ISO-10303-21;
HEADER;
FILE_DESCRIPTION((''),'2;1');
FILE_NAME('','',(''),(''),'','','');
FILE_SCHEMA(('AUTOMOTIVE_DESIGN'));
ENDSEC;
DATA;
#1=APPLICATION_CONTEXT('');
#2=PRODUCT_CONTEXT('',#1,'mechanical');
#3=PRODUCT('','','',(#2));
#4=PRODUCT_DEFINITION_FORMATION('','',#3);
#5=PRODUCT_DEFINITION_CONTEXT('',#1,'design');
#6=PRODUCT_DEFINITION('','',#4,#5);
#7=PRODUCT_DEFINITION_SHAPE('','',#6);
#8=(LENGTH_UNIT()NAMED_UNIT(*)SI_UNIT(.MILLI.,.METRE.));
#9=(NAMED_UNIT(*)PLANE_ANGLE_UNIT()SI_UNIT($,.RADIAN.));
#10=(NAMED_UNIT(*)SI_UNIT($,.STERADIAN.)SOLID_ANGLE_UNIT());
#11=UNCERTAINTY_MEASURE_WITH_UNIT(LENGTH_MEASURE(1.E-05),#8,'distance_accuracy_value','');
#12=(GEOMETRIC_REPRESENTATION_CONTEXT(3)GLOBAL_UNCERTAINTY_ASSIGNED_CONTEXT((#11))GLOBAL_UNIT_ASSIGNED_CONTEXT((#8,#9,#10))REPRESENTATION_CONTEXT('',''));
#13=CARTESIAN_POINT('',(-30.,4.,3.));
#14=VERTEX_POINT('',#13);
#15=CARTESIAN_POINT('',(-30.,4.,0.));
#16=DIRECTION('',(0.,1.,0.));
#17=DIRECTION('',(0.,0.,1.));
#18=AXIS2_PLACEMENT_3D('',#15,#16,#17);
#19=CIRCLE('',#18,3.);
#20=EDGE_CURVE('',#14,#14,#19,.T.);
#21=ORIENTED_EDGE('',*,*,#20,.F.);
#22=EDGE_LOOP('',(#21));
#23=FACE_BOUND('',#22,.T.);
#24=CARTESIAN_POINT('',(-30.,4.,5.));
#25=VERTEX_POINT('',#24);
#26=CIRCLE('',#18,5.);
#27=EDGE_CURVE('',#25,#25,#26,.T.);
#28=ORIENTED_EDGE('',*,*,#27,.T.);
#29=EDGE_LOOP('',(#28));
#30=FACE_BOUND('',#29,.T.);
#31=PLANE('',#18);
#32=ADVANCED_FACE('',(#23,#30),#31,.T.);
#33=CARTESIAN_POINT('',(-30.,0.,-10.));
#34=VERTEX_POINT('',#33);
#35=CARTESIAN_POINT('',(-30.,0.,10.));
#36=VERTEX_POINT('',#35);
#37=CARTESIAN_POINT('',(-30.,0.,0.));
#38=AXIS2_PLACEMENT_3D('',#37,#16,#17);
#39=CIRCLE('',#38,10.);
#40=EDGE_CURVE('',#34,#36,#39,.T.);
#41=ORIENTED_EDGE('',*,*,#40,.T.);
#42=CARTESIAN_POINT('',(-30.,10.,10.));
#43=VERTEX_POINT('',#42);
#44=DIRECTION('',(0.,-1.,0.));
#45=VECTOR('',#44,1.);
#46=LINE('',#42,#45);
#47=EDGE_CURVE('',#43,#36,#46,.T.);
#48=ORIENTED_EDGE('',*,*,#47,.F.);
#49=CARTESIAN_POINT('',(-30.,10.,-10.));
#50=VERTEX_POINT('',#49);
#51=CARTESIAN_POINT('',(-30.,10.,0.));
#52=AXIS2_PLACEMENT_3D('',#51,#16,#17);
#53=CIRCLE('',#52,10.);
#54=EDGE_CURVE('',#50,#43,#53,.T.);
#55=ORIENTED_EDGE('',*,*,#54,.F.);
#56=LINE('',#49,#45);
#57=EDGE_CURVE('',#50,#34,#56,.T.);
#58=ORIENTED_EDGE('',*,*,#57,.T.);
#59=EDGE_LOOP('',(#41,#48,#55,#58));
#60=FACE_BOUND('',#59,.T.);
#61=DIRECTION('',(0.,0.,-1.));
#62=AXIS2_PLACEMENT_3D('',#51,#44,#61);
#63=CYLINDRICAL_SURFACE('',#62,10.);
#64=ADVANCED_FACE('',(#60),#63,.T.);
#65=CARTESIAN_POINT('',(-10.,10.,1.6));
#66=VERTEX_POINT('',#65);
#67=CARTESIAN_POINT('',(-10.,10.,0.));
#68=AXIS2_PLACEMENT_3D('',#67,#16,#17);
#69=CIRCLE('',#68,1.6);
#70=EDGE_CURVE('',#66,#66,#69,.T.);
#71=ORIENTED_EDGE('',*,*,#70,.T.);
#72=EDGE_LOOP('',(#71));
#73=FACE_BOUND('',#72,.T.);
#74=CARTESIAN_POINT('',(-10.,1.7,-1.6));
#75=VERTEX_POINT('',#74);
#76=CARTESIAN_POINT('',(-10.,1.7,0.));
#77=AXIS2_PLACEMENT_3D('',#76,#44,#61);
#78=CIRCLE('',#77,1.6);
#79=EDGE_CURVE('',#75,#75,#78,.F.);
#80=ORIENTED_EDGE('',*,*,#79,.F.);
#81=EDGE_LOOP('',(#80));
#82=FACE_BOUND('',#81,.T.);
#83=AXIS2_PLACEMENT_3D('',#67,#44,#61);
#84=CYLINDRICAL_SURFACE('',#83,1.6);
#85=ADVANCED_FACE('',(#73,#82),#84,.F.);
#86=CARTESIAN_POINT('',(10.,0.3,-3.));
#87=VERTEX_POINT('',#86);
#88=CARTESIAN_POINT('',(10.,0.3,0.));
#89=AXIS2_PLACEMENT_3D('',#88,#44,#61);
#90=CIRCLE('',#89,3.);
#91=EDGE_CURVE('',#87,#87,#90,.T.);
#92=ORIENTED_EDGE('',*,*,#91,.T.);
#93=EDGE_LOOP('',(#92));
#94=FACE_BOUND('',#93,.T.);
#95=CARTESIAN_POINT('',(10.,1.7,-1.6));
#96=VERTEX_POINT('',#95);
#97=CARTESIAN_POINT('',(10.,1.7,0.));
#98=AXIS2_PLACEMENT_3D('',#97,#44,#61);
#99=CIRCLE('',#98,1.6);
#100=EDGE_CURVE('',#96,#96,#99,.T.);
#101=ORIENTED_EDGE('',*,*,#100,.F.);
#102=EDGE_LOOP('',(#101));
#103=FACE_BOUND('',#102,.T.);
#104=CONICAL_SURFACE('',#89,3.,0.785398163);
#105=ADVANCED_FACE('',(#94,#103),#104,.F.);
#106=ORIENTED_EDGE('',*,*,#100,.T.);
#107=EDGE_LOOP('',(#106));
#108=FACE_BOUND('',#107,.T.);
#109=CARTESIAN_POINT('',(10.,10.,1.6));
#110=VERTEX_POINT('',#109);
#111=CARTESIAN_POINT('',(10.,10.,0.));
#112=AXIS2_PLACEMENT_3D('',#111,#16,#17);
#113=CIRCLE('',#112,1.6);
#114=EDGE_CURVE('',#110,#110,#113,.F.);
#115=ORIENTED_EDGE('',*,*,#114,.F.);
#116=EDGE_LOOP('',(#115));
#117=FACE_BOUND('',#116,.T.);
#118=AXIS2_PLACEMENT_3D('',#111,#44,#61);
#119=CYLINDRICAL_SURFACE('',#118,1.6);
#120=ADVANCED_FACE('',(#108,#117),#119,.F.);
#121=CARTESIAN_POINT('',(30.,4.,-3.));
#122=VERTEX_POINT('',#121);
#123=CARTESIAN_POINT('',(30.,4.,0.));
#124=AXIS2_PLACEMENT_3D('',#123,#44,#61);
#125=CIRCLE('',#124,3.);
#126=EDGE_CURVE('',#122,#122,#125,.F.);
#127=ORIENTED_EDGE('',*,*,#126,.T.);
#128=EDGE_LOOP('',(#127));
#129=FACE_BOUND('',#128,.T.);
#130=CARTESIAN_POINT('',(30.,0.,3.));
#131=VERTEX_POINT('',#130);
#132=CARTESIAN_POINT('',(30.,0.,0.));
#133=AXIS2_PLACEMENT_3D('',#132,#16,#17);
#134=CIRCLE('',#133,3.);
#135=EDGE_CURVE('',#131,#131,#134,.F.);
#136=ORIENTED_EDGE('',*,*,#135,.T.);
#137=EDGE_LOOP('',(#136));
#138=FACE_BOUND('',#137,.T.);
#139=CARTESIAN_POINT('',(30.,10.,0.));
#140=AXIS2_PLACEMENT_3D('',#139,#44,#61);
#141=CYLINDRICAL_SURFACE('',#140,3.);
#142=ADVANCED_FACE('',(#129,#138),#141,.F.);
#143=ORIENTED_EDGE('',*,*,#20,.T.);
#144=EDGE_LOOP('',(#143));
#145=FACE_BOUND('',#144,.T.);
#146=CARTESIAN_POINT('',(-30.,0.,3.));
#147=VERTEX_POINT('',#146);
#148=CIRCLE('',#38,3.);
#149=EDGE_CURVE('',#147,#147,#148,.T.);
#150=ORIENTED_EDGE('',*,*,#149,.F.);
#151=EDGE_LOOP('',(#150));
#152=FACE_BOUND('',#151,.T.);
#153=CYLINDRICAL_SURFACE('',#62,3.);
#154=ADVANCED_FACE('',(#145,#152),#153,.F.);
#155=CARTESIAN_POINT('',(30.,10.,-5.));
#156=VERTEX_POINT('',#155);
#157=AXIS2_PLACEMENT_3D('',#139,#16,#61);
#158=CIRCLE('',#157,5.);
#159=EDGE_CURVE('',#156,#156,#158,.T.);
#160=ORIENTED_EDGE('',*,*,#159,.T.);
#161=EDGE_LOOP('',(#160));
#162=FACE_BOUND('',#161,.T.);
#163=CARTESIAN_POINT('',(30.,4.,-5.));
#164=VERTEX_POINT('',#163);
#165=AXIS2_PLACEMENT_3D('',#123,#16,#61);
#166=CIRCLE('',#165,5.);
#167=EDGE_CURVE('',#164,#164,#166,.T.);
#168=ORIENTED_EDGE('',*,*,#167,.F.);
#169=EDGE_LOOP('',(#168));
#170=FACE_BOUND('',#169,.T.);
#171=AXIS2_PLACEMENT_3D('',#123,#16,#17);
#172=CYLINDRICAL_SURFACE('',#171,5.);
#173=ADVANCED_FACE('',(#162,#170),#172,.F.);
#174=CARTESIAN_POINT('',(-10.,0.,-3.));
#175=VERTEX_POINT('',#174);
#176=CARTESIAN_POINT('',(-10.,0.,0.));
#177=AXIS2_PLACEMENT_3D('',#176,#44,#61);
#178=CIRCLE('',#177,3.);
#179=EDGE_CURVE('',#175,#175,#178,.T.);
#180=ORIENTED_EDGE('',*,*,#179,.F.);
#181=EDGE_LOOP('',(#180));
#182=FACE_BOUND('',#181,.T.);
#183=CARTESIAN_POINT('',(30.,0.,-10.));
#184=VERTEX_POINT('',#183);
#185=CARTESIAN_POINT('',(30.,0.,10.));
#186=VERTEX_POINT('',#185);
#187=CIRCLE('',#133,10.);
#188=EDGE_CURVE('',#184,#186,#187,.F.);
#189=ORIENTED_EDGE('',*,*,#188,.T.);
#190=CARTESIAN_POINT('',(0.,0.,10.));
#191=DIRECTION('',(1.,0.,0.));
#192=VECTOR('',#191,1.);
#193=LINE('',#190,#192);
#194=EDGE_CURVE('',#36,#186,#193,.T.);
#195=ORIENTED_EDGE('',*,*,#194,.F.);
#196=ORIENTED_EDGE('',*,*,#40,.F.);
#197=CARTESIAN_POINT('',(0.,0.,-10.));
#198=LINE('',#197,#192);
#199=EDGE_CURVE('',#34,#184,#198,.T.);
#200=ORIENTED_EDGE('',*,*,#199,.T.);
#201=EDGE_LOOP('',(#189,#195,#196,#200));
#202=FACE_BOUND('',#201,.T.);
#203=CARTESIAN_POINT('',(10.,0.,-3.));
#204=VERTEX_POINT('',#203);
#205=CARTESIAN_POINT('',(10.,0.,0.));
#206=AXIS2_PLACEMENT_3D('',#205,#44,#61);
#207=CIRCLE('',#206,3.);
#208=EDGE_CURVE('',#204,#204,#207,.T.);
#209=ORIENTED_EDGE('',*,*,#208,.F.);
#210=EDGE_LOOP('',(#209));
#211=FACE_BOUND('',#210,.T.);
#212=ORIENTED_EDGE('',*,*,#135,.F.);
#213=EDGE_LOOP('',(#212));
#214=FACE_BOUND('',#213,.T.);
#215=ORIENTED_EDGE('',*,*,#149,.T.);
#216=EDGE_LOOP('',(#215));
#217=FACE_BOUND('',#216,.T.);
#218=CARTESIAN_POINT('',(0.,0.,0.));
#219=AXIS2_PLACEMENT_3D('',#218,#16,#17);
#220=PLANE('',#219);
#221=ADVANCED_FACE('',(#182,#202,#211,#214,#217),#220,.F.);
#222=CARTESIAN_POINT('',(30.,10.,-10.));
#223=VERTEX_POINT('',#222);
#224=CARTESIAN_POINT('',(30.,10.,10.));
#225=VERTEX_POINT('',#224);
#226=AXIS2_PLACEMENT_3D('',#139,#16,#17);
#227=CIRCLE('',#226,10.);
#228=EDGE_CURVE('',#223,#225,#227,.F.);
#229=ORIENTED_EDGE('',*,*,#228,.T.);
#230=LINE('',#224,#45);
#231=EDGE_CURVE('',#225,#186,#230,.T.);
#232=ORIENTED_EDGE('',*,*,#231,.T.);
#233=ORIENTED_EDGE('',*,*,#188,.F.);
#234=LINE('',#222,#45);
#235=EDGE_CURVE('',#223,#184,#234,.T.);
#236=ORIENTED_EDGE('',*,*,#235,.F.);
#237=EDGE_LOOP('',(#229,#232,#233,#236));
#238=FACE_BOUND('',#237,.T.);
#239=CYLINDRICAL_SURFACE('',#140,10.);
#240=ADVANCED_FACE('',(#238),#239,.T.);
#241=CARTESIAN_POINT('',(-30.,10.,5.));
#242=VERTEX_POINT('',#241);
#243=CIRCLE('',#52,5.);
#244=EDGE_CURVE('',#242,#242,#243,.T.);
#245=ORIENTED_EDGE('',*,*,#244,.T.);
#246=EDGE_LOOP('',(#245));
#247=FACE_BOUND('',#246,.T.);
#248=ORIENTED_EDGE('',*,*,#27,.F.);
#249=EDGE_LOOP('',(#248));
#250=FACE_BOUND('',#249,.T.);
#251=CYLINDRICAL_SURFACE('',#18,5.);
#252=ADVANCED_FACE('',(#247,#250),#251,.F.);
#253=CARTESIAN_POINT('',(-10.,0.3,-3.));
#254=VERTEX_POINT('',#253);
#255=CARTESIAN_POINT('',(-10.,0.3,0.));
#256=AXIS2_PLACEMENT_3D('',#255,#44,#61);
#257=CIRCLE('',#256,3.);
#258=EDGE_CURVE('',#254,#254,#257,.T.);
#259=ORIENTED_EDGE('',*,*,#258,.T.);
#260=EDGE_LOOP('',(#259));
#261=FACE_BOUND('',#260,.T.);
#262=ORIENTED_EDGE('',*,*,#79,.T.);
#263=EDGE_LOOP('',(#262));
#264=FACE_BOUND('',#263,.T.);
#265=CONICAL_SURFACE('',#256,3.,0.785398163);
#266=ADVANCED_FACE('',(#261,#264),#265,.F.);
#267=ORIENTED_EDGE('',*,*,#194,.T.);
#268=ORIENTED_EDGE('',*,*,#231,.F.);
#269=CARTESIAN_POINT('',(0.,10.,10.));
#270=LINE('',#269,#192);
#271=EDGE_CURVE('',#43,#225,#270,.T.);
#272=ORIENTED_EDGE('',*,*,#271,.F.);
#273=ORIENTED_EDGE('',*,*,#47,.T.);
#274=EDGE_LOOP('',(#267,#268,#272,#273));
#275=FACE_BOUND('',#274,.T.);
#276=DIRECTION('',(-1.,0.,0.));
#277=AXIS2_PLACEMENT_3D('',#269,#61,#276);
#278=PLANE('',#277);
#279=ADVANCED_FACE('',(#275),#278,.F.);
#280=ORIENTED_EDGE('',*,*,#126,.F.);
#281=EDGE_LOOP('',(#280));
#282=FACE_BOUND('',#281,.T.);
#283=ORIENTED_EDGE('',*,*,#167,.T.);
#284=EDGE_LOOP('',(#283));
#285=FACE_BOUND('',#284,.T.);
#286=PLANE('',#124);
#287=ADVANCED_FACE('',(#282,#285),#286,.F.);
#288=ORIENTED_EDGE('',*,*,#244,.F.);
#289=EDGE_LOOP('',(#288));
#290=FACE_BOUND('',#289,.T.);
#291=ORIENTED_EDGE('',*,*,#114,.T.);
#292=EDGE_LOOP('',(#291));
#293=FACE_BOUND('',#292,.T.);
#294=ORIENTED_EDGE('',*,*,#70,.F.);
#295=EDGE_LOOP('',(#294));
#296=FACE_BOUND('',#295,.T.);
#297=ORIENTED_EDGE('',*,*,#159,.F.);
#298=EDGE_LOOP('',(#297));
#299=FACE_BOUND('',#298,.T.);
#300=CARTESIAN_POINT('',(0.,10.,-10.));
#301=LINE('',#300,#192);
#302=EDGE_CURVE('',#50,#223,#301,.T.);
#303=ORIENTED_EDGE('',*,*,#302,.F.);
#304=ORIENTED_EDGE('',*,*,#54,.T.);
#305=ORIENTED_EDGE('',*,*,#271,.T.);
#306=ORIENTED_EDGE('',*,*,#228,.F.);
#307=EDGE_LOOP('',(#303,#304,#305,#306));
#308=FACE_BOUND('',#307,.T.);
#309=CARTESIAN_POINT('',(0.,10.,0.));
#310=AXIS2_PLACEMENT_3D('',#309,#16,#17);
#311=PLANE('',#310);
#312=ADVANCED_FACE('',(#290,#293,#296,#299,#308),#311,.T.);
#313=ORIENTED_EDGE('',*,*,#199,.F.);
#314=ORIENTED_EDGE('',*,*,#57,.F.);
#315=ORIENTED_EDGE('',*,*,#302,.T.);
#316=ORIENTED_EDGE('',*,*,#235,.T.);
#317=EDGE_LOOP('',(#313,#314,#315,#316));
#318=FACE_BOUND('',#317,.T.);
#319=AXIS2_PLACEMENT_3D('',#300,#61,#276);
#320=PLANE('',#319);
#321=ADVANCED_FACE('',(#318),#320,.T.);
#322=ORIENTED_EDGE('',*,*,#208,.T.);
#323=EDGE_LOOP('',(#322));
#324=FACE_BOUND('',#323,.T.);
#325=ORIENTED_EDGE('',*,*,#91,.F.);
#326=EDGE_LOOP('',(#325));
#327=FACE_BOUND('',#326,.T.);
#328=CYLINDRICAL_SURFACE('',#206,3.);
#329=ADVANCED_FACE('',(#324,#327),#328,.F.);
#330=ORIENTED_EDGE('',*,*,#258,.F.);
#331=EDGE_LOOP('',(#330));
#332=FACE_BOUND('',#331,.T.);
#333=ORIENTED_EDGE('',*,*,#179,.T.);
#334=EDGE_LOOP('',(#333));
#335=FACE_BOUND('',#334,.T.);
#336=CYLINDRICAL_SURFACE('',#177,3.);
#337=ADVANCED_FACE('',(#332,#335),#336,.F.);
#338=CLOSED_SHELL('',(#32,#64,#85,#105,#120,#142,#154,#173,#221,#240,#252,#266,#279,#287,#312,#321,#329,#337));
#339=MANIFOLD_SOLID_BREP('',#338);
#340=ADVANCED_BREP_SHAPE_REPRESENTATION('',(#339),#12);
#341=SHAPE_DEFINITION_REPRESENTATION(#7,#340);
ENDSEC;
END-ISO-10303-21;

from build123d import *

# Parameters (mm, degrees)
SKETCH1_R                                      = 10
SKETCH1_R_2                                    = 3
SKETCH1_R_3                                    = 1.6
BOSS_EXTRUDE1_DEPTH                            = 10
SKETCH2_R                                      = 5
CUT_EXTRUDE1_DEPTH                             = 6
CSK_FOR_M3_FLAT_HEAD_MACHINE_SCREW1_AT_2_COUNT = 2
CSK_FOR_M3_FLAT_HEAD_MACHINE_SCREW1_AT_2_PITCH = 20


with BuildPart() as part:
    # Sketch1 → Boss-Extrude1 (new body)
    with BuildSketch(Plane(origin=(0, 0, 0), x_dir=(1, 0, 0), z_dir=(0, 1, 0))):
        with Locations((-30, 0)):
            Circle(SKETCH1_R)
        with Locations((-30, 0)):
            Circle(SKETCH1_R_2, mode=Mode.SUBTRACT)
        with BuildLine():
            Line((29.999999936, 10), (-30, 10))
            ThreePointArc((-30, 10), (-22.928932188, 7.071067812), (-20, 0))
            ThreePointArc((-20, 0), (-22.928932188, -7.071067812), (-30, -10))
            Line((-30, -10), (30, -10))
            ThreePointArc((30, -10), (20, -3.2e-08), (29.999999936, 10))
        make_face()
        with Locations((-10, 0)):
            Circle(SKETCH1_R_3, mode=Mode.SUBTRACT)
        with Locations((10, 0)):
            Circle(SKETCH1_R_3, mode=Mode.SUBTRACT)
        with Locations((30, 0)):
            Circle(SKETCH1_R)
        with Locations((30, 0)):
            Circle(SKETCH1_R_2, mode=Mode.SUBTRACT)
    extrude(amount=BOSS_EXTRUDE1_DEPTH)

    # Sketch2 → Cut-Extrude1 (cut)
    with BuildSketch(Plane(origin=(0, 10, 0), x_dir=(1, 0, 0), z_dir=(0, 1, 0))):
        with Locations((-30, 0)):
            Circle(SKETCH2_R)
        with Locations((30, 0)):
            Circle(SKETCH2_R)
    extrude(amount=-CUT_EXTRUDE1_DEPTH, mode=Mode.SUBTRACT)

    # Sketch4 → CSK for M3 Flat Head Machine Screw1 (revolve, cut)
    with BuildSketch(Plane(origin=(-10, 0, 0), x_dir=(0, 0, -1), z_dir=(1, 0, 0))):
        Polygon((0, 0), (0, 10), (1.5, 10), (1.5, 1.8), (3, 0.3), (3, 0), align=None)
    csk_for_m3_flat_head_machine_screw1 = revolve(axis=Axis((-10, -6.35, 0), (0, 1, 0)), mode=Mode.SUBTRACT)

    # CSK for M3 Flat Head Machine Screw1 at 2: CSK for M3 Flat Head Machine Screw1 ×2
    with Locations(*[(i * CSK_FOR_M3_FLAT_HEAD_MACHINE_SCREW1_AT_2_PITCH, 0, 0) for i in range(1, CSK_FOR_M3_FLAT_HEAD_MACHINE_SCREW1_AT_2_COUNT)]):
        add(csk_for_m3_flat_head_machine_screw1, mode=Mode.SUBTRACT)


solid = part.part
